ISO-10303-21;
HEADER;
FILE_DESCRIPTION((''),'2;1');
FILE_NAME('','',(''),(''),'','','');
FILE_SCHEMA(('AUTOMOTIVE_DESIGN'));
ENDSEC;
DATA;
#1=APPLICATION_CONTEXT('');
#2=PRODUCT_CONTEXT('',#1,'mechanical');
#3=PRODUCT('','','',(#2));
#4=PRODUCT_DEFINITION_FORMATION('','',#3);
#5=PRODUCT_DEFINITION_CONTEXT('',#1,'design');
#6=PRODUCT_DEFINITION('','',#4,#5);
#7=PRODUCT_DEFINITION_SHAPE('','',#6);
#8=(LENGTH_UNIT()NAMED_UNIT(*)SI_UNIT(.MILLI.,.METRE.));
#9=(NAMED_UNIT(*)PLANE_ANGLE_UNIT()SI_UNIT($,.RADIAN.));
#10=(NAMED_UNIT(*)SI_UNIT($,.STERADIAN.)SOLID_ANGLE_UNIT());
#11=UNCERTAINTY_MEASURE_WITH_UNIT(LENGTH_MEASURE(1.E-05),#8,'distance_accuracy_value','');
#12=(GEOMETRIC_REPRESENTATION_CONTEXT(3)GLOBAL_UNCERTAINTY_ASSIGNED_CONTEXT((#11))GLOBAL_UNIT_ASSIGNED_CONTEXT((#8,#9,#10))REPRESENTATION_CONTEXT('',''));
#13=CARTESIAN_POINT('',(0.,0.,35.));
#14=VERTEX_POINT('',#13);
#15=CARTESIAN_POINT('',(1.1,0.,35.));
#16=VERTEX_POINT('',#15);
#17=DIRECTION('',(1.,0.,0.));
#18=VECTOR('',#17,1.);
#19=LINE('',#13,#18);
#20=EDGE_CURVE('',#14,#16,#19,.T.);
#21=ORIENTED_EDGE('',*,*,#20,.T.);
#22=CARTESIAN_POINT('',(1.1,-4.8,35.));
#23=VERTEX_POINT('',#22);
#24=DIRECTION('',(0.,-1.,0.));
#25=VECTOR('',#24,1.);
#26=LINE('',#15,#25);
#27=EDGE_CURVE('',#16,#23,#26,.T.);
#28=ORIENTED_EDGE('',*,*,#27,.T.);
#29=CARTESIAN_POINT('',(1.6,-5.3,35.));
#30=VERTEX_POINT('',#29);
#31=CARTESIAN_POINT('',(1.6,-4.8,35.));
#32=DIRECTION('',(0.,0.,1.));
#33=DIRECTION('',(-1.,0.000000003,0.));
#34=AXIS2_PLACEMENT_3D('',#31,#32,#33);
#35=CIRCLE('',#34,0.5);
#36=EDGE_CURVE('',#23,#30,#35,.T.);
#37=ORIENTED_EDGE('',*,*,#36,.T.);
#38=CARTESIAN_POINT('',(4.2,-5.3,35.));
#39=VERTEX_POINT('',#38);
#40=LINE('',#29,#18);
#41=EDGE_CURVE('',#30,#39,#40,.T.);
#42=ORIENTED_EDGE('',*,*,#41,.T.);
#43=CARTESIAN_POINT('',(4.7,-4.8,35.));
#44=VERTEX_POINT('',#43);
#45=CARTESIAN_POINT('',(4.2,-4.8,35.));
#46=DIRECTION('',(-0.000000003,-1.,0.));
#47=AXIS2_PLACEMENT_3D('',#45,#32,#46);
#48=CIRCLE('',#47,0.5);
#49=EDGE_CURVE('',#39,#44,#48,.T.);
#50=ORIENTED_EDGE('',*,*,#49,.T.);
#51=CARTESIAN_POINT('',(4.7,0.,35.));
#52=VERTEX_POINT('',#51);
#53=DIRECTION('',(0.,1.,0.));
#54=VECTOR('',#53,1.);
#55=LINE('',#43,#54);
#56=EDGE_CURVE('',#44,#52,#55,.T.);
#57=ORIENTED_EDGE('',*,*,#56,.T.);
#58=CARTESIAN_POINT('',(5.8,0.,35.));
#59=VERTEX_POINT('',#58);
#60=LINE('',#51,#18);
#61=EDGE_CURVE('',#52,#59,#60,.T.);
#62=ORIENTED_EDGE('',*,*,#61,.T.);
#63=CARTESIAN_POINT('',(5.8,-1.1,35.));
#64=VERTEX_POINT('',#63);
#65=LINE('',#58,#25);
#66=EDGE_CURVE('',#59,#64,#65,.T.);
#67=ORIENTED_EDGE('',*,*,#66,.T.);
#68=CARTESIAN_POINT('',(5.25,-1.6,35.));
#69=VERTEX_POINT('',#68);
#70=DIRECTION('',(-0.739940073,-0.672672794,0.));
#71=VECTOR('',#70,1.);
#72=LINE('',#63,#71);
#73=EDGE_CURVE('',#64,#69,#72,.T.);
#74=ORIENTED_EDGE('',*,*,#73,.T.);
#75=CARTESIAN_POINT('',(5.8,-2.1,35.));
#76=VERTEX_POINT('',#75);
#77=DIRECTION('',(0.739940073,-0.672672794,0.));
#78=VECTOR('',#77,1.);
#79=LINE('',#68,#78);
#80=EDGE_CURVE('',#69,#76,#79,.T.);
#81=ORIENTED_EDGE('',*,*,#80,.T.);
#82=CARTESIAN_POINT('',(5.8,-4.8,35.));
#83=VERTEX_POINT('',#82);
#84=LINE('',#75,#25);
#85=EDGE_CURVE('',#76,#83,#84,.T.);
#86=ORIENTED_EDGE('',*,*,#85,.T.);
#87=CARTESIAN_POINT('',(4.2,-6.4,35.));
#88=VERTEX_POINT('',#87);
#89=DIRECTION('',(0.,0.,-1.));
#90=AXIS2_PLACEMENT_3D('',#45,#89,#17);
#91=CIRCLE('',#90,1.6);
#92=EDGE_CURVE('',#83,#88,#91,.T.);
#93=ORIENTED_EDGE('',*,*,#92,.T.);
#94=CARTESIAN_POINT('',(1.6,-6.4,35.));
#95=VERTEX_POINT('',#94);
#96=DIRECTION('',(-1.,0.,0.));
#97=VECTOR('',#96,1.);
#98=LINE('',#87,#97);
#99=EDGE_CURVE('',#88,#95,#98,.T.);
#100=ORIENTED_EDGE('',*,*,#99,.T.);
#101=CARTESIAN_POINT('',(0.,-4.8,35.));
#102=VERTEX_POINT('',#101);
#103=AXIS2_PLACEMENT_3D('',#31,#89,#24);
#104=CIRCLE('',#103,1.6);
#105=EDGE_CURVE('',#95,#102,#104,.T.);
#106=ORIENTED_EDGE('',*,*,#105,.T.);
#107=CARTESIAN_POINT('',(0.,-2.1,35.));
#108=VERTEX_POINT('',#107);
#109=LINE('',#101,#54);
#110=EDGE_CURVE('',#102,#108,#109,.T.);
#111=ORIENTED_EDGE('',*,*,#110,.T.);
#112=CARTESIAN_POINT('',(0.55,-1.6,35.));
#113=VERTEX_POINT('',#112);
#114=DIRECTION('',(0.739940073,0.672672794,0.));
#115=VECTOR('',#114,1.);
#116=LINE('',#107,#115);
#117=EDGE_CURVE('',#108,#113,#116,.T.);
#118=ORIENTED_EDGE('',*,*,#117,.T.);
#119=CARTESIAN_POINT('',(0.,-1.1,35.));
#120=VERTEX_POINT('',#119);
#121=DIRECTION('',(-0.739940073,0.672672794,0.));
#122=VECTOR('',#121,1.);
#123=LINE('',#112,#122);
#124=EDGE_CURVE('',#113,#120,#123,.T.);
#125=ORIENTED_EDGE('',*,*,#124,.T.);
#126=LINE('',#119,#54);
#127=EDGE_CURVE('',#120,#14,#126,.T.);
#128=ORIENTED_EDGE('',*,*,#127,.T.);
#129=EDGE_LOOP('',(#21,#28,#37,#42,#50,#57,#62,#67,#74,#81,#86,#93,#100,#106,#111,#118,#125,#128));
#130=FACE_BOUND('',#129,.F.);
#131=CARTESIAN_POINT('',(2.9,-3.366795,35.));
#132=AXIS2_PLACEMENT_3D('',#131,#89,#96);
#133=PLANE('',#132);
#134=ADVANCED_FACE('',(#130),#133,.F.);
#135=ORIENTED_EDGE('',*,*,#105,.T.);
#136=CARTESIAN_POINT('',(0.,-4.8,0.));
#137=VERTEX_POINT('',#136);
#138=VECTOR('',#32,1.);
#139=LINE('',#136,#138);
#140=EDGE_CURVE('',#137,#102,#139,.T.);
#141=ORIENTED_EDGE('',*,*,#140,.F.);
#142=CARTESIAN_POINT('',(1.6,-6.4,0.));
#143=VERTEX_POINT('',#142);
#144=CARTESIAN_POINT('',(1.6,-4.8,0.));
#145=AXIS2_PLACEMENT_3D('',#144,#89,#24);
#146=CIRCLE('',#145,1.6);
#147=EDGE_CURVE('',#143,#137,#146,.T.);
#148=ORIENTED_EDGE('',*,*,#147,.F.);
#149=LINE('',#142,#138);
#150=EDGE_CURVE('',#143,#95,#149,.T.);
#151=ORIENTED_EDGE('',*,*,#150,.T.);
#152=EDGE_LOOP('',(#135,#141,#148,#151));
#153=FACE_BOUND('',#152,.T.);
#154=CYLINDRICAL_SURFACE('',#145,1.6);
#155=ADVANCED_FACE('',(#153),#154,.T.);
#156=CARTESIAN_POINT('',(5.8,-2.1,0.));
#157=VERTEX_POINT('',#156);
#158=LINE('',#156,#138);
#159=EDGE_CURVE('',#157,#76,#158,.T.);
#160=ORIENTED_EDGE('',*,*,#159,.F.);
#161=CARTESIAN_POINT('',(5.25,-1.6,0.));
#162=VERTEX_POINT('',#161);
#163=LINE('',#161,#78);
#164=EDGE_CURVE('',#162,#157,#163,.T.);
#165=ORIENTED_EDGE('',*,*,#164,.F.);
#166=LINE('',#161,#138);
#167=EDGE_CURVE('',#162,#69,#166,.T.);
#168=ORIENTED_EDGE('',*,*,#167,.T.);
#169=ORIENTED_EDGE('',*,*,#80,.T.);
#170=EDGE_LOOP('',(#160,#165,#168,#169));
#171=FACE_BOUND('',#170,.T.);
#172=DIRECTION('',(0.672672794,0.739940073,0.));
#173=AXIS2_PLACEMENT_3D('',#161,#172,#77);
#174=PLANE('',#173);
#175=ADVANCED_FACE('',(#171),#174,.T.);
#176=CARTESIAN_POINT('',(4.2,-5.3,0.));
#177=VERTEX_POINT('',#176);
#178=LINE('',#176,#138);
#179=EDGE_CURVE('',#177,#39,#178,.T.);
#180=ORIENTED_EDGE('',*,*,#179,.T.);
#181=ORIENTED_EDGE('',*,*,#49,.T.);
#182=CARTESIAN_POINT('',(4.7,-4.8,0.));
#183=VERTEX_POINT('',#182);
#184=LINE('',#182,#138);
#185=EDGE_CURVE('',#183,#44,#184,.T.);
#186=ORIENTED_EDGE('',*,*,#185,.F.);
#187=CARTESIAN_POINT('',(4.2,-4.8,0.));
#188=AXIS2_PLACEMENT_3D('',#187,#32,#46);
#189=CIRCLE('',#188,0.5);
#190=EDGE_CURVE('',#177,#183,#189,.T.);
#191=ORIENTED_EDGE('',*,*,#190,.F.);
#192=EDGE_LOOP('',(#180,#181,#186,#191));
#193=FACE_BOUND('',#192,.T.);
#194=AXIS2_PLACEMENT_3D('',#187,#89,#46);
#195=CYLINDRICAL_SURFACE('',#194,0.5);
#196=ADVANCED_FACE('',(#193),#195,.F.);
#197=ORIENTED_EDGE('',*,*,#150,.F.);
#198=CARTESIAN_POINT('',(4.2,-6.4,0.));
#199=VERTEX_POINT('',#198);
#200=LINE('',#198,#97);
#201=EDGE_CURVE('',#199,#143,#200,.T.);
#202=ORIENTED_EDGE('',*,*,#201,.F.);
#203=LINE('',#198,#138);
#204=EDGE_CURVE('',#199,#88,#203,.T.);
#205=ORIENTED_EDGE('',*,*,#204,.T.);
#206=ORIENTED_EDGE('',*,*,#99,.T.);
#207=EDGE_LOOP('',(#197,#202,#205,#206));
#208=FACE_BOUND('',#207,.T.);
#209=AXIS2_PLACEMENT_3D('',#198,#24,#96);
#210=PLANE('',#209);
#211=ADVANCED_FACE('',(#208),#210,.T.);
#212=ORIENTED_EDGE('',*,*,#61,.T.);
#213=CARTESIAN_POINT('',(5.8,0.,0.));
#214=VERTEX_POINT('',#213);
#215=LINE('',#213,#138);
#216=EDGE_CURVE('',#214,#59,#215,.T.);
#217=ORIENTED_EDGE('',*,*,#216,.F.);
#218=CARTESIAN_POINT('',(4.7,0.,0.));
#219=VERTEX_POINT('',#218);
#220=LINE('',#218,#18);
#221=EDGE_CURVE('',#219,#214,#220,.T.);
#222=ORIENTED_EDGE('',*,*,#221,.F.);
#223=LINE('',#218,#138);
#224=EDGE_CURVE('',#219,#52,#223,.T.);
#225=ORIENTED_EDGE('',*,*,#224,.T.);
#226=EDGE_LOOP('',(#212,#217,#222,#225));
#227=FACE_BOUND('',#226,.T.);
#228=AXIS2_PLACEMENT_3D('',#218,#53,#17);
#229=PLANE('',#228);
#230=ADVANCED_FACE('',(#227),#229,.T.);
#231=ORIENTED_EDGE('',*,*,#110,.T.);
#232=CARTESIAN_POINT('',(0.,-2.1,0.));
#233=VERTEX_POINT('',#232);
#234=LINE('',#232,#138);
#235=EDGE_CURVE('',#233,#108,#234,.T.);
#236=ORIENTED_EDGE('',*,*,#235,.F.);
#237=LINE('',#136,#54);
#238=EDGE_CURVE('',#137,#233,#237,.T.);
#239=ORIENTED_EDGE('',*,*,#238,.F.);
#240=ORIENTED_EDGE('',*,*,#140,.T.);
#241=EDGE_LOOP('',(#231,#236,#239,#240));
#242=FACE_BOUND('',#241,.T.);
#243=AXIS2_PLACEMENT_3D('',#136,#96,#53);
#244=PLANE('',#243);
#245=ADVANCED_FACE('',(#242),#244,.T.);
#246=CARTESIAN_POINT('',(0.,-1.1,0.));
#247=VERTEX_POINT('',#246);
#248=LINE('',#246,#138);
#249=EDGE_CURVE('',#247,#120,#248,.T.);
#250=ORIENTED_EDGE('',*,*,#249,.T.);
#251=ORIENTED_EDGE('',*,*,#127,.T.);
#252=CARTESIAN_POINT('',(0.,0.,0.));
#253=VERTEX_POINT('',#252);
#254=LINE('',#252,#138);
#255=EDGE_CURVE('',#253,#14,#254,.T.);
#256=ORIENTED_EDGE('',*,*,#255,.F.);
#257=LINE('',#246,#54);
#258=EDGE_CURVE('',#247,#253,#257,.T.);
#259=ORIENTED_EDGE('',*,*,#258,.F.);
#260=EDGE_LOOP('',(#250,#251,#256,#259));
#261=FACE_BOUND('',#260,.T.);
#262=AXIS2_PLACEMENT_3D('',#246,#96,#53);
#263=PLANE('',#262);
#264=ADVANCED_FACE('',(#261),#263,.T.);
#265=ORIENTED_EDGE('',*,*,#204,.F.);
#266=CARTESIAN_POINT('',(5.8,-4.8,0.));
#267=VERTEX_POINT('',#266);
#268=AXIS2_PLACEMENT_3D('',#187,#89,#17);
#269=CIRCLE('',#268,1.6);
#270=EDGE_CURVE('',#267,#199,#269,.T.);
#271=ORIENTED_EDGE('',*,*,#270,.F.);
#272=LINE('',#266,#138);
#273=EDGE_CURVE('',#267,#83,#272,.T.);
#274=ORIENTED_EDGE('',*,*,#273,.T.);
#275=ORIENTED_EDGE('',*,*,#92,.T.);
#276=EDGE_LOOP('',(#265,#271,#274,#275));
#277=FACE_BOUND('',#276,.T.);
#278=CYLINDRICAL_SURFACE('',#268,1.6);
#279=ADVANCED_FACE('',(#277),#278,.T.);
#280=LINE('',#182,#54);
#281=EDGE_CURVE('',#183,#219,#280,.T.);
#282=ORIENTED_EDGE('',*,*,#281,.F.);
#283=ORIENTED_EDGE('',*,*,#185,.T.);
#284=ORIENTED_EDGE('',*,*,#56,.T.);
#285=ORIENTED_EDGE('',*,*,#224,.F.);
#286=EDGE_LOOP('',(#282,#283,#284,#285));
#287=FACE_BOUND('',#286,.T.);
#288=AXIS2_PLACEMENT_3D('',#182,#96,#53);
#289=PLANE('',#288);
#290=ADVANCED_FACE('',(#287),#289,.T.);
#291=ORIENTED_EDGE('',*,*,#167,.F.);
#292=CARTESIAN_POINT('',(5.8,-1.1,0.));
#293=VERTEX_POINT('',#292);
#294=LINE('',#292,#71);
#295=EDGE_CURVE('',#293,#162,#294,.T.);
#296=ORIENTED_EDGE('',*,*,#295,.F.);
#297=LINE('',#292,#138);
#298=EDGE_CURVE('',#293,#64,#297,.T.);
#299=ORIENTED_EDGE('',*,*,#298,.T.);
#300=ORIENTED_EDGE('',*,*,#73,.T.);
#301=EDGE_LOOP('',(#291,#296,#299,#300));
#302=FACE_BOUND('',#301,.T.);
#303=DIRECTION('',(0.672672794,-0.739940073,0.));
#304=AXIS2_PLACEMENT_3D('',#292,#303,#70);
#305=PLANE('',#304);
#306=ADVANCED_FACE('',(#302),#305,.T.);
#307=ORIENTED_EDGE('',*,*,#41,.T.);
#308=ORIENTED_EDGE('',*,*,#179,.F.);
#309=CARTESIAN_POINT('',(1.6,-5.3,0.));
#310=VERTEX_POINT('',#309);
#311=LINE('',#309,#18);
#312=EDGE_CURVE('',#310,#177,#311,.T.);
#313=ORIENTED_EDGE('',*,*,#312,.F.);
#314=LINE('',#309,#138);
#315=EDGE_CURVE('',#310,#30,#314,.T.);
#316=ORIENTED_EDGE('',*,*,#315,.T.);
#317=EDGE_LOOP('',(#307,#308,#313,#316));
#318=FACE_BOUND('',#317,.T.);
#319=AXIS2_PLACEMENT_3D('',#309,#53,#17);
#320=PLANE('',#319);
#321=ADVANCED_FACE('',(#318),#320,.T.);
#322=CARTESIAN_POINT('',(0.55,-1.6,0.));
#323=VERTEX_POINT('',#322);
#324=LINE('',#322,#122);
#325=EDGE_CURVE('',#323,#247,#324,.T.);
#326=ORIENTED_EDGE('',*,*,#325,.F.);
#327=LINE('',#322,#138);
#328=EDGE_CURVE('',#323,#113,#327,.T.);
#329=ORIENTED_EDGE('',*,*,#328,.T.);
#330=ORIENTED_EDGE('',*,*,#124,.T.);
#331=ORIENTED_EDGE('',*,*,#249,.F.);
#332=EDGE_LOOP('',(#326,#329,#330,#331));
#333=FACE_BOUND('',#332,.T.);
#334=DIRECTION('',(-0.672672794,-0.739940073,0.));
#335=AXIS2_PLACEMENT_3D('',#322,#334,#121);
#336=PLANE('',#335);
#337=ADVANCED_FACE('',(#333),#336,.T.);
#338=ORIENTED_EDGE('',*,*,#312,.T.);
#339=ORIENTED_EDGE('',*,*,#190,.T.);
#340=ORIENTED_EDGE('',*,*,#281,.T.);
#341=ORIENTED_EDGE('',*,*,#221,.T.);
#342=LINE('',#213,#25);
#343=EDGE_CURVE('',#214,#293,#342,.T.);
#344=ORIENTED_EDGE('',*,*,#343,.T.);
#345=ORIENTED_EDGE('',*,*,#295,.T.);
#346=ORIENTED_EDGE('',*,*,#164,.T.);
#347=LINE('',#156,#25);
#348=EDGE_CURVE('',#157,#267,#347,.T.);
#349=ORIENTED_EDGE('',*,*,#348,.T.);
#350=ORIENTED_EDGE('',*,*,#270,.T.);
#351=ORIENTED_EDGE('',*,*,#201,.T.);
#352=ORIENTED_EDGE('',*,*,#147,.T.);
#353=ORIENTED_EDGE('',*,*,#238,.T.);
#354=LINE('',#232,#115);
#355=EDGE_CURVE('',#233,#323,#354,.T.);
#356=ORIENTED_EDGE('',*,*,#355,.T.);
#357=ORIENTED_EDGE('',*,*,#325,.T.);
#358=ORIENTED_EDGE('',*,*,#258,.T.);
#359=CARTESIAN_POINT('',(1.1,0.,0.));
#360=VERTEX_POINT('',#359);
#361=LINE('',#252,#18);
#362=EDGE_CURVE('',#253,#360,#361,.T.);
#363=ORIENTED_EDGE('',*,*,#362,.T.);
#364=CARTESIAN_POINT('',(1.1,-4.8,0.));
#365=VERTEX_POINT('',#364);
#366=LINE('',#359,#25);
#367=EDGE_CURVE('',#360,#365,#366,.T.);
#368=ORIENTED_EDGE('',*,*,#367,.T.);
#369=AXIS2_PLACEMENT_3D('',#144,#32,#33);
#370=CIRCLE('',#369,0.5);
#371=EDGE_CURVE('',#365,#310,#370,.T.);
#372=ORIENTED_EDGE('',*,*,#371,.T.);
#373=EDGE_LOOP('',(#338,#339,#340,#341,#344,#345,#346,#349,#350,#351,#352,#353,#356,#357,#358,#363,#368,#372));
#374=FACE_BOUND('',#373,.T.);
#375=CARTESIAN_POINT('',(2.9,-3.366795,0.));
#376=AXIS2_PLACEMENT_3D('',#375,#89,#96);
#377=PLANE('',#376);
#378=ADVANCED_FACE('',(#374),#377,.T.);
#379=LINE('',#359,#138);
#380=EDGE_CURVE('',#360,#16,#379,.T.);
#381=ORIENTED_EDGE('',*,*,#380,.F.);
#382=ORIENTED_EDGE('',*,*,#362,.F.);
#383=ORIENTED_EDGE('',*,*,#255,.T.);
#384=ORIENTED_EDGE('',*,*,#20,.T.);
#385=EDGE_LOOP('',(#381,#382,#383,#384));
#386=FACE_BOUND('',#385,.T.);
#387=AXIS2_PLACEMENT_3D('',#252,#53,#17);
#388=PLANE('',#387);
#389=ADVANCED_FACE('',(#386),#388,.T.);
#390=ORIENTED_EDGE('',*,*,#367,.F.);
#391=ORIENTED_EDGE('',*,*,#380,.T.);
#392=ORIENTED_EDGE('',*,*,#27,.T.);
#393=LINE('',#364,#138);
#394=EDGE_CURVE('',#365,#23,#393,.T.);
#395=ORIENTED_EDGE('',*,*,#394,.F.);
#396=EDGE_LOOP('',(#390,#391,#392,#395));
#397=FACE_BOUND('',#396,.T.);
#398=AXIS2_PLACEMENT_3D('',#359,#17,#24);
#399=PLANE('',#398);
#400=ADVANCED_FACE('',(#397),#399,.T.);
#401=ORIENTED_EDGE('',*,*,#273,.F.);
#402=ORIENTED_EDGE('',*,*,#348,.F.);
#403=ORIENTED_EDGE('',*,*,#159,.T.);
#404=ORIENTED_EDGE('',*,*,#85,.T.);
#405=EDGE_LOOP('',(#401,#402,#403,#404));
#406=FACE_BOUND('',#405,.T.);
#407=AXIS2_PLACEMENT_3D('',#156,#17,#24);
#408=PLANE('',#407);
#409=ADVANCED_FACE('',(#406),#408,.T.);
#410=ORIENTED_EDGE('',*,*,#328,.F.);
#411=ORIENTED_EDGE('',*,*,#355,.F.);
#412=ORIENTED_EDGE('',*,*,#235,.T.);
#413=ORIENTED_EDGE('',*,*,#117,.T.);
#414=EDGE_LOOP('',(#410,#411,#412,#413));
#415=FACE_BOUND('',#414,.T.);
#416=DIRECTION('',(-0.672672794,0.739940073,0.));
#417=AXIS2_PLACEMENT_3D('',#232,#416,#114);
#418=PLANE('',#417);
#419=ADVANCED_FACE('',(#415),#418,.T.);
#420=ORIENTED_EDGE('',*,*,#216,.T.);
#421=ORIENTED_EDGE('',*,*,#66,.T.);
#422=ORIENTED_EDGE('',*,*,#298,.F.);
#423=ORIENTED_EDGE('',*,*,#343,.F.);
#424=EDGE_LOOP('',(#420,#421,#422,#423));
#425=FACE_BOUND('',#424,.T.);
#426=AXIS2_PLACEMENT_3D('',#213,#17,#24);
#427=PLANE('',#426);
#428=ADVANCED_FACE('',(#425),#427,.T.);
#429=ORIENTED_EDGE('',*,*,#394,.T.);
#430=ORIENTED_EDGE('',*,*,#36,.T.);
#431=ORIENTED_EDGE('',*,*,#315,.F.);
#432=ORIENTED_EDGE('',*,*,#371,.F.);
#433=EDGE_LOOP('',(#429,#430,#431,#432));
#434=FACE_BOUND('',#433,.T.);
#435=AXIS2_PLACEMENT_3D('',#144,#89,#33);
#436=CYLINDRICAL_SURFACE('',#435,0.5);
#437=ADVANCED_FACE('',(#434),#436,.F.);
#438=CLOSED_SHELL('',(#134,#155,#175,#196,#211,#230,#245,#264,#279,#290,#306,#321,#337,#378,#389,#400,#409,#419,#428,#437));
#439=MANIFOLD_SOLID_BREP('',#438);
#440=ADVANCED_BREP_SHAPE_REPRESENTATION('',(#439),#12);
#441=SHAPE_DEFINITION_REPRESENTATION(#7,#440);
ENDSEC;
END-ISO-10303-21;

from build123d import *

# Parameters (mm, degrees)
EXTRUSION1_DEPTH = 35


with BuildPart() as part:
    # Esquisse1 → Extrusion1 (new body)
    with BuildSketch(Plane.XY):
        with BuildLine():
            Line((4.7, -4.8), (4.7, 0))
            Line((4.7, 0), (5.8, 0))
            Line((5.8, 0), (5.8, -1.1))
            Line((5.8, -1.1), (5.25, -1.6))
            Line((5.25, -1.6), (5.8, -2.1))
            Line((5.8, -2.1), (5.8, -4.8))
            ThreePointArc((5.8, -4.8), (5.33137085, -5.93137085), (4.2, -6.4))
            Line((4.2, -6.4), (1.6, -6.4))
            ThreePointArc((1.6, -6.4), (0.46862915, -5.93137085), (0, -4.8))
            Line((0, -4.8), (0, -2.1))
            Line((0, -2.1), (0.55, -1.6))
            Line((0.55, -1.6), (0, -1.1))
            Line((0, -1.1), (0, 0))
            Line((0, 0), (1.1, 0))
            Line((1.1, 0), (1.1, -4.8))
            ThreePointArc((1.1, -4.8), (1.246446609, -5.153553391), (1.6, -5.3))
            Line((1.6, -5.3), (4.2, -5.3))
            ThreePointArc((4.2, -5.3), (4.553553391, -5.153553391), (4.7, -4.8))
        make_face()
    extrude(amount=EXTRUSION1_DEPTH)


solid = part.part
